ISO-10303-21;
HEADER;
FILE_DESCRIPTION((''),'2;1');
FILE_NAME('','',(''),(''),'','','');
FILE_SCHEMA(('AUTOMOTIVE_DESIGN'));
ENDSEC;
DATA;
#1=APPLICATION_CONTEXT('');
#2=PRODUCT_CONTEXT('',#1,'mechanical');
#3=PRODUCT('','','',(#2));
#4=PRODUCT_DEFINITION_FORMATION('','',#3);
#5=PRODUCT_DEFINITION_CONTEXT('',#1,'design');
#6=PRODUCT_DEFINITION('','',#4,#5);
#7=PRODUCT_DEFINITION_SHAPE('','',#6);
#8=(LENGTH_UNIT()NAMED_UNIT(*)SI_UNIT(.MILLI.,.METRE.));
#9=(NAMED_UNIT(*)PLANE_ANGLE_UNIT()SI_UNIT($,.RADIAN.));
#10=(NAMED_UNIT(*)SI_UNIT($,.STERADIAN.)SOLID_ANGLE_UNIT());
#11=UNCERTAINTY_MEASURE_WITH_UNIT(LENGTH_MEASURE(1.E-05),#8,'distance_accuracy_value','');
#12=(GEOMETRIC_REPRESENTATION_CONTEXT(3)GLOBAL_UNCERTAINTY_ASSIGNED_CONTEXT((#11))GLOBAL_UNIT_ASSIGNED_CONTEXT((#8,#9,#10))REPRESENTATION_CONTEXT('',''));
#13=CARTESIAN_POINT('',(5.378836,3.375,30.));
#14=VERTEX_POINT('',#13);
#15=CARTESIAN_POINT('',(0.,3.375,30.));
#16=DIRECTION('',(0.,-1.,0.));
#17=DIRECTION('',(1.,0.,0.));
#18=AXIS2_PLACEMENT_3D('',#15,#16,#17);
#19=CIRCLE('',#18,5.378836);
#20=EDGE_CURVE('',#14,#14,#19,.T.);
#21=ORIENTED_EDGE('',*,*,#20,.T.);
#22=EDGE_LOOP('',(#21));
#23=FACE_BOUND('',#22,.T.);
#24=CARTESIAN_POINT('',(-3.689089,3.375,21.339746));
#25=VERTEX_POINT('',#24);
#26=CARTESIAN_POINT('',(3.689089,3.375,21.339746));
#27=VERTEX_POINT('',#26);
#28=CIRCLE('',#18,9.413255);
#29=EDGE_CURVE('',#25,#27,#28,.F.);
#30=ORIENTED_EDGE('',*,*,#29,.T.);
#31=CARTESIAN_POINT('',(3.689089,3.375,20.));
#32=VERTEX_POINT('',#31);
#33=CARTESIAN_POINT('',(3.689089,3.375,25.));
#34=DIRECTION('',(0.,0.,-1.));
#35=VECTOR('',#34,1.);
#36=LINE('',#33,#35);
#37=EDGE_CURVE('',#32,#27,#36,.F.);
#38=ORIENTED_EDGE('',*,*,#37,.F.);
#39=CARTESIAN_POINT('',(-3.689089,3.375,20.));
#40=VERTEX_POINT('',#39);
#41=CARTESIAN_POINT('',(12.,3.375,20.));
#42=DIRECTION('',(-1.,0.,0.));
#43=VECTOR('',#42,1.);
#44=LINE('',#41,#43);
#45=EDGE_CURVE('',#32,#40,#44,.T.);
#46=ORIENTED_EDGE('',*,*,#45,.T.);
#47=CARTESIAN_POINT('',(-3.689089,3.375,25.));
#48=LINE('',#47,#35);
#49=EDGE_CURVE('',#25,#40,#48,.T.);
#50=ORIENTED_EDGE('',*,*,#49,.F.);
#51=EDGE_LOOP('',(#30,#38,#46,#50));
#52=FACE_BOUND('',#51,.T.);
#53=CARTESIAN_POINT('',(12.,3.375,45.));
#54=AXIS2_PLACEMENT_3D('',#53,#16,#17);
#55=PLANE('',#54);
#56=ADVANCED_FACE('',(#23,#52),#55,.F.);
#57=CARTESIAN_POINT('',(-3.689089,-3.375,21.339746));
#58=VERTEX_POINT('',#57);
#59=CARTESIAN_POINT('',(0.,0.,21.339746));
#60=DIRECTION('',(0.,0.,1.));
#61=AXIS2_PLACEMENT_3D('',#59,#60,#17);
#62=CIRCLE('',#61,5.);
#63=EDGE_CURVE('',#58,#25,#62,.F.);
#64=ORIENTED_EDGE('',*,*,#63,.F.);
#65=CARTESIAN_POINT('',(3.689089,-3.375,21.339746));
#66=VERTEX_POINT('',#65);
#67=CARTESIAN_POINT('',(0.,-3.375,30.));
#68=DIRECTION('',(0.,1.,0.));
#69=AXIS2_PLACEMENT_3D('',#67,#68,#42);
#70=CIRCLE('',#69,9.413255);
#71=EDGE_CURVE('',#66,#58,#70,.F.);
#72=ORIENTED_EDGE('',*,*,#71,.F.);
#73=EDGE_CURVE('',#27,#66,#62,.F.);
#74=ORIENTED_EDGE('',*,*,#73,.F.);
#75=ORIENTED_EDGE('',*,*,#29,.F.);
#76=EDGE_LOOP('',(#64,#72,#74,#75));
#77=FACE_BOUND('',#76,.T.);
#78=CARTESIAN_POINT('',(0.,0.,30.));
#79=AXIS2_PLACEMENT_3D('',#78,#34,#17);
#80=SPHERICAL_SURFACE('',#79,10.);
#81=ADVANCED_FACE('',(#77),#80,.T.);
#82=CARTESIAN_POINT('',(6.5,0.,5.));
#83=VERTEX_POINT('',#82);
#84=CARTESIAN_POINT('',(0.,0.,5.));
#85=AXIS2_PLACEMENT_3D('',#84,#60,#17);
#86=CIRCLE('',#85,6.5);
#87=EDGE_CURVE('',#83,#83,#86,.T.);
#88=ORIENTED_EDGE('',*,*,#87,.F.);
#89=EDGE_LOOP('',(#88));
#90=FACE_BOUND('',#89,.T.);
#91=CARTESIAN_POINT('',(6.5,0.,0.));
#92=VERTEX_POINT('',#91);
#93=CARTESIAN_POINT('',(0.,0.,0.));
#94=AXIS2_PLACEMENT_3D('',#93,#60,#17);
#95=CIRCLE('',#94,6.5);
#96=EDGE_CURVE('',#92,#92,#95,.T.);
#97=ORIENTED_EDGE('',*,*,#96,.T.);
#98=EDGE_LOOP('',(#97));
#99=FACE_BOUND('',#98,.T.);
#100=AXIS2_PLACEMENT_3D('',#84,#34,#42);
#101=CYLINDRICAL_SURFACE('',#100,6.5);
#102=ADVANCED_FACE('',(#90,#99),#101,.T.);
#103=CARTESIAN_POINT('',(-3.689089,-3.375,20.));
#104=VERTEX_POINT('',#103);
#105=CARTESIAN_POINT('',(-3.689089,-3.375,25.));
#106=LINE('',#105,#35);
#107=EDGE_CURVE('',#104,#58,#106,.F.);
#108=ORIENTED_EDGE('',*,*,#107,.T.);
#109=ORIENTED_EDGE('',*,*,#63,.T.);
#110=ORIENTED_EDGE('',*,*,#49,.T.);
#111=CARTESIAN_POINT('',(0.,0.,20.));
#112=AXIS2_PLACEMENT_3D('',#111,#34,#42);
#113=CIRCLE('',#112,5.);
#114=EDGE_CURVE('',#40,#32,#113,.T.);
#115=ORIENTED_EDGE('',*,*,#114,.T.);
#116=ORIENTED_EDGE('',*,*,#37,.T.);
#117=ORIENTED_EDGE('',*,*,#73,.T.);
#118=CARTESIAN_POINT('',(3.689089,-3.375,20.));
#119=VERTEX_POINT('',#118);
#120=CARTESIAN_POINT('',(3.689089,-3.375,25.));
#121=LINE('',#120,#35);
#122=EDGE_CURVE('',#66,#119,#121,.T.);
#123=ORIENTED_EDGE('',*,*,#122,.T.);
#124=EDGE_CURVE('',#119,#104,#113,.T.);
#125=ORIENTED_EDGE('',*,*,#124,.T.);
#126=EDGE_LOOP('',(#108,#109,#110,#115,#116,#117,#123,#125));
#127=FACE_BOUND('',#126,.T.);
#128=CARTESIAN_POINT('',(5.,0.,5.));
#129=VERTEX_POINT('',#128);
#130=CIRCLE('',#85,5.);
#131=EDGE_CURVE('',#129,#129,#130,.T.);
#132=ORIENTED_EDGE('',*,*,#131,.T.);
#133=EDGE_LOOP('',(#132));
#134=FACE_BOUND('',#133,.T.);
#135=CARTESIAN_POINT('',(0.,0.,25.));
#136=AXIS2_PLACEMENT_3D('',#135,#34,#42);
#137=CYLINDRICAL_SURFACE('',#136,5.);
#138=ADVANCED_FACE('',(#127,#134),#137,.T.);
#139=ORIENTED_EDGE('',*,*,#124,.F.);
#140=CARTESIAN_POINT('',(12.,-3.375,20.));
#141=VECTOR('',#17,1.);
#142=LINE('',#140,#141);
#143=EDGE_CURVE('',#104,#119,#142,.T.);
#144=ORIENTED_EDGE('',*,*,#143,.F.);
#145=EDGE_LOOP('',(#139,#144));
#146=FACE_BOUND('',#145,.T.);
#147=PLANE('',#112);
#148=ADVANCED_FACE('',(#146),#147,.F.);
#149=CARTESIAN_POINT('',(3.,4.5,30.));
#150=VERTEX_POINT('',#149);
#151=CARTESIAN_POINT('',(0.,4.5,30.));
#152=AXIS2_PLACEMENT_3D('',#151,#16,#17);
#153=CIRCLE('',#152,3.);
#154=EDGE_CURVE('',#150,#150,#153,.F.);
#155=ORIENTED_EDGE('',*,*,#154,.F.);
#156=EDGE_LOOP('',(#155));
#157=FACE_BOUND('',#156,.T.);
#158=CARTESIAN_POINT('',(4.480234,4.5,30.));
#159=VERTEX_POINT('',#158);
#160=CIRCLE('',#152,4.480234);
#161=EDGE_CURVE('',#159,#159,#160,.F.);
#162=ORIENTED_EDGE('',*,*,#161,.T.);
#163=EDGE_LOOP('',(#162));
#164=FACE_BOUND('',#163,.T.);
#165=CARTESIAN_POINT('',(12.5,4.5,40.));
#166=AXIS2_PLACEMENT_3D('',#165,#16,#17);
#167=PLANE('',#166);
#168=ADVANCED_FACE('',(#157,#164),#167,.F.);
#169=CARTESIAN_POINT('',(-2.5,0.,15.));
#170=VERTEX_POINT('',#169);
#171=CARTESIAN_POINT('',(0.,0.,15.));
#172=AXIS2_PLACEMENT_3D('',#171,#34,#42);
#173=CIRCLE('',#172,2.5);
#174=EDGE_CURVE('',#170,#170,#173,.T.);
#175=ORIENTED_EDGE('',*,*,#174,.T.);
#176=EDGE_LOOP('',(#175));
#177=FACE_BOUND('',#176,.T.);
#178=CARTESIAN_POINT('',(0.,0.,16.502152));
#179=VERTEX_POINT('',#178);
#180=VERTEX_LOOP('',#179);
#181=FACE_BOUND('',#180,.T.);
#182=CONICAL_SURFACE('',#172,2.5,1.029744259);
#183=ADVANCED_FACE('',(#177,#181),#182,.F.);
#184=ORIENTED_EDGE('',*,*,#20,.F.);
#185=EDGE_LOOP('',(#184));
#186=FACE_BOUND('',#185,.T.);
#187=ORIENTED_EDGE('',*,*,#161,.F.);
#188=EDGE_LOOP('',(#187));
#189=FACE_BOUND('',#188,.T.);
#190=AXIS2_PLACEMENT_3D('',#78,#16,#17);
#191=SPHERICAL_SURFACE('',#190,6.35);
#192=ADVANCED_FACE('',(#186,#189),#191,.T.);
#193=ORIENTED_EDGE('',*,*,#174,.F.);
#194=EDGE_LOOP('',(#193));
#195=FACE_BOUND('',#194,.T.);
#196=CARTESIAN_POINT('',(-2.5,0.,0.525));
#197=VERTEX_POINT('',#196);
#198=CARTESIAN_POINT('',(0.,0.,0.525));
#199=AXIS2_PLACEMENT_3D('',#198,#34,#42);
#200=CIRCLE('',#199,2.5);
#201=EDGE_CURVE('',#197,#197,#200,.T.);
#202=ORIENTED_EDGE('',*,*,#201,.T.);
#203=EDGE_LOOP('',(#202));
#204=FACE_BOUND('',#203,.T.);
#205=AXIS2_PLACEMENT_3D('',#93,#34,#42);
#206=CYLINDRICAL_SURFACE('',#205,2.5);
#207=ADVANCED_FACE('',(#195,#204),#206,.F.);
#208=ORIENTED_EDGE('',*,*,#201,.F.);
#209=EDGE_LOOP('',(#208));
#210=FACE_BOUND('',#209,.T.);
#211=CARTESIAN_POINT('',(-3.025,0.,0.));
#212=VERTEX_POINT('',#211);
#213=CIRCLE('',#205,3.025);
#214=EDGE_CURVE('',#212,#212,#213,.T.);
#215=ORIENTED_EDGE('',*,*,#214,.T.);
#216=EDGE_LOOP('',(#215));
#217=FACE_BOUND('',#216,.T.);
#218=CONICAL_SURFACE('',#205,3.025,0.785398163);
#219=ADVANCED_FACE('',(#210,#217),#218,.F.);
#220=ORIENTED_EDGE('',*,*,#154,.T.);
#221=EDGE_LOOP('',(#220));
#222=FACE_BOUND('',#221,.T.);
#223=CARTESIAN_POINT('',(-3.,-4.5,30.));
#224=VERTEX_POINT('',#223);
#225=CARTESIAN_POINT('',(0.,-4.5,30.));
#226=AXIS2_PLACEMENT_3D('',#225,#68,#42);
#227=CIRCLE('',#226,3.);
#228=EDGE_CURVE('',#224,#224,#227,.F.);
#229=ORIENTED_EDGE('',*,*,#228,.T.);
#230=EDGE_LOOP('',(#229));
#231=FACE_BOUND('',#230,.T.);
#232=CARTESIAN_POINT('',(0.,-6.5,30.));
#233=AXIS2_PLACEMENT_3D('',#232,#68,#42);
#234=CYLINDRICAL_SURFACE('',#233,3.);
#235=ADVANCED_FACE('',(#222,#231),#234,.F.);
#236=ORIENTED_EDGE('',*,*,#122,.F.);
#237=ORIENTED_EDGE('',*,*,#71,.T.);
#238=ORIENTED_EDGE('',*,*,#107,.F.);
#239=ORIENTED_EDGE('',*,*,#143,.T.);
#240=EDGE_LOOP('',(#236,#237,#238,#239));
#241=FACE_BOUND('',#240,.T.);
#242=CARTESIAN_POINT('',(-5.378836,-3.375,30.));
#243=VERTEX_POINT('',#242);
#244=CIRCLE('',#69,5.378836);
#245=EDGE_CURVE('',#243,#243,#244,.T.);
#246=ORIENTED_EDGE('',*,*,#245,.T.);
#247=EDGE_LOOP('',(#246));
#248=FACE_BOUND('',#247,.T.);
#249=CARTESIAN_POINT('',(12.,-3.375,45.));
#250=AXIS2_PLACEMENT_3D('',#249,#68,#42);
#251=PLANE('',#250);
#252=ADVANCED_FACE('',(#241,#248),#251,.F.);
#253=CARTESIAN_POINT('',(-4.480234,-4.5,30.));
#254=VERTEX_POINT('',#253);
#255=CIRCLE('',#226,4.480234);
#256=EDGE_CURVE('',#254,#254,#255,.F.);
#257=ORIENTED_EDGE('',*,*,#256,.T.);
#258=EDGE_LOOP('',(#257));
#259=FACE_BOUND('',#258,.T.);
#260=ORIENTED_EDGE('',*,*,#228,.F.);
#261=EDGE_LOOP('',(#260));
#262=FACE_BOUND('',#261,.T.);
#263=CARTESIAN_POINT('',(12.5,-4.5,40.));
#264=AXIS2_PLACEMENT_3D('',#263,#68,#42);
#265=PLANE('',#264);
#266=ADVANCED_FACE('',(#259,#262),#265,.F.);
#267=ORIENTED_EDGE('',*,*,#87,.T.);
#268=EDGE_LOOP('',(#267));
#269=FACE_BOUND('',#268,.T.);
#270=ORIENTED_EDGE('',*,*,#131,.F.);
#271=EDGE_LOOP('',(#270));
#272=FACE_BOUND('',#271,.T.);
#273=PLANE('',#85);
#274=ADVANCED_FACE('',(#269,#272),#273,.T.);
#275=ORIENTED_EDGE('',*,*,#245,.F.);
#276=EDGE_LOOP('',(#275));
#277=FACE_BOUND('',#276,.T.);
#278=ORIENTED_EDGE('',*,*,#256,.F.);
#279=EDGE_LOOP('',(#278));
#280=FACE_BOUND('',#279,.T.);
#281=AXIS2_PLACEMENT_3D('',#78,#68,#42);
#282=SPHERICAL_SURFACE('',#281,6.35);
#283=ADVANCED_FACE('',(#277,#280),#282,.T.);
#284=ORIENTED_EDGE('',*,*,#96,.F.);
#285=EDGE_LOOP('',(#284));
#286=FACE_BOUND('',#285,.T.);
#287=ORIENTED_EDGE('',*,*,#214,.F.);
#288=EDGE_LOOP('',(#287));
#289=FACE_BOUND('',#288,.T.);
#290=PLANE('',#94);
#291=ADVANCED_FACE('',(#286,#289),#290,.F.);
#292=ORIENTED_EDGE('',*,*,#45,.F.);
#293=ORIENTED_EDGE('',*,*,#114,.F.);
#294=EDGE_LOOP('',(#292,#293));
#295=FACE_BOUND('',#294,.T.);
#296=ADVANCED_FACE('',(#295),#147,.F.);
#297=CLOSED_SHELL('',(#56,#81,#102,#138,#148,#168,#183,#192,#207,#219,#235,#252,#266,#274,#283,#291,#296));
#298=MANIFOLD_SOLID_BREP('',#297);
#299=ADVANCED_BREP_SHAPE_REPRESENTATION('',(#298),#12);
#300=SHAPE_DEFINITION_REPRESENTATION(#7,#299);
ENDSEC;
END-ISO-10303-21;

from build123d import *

# Parameters (mm, degrees)
SKETCH_3_R                   = 6.5
EXTRUDE_1_DEPTH              = 5
SKETCH_4_R                   = 5
EXTRUDE_2_DEPTH              = 20
SKETCH_6_W                   = 25
SKETCH_6_H                   = 25
SKETCH_6_W_2                 = 24
SKETCH_6_H_2                 = 6.75
CUT_EXTRUDE_1_DEPTH          = 25
CUT_EXTRUDE_3_DEPTH          = 42.740268327
CUT_EXTRUDE_3_DEPTH_BACK     = 42.740268327
SKETCH_10_R                  = 3
HOLE_WIZARD_M6_1_D           = 5
HOLE_WIZARD_M6_1_DEPTH       = 15
HOLE_WIZARD_M6_1_CSINK_D     = 6.05
HOLE_WIZARD_M6_1_CSINK_ANGLE = 90
HOLE_WIZARD_M6_1_TIP         = 1.502151548
SKETCH_16_R                  = 20
SKETCH_16_W                  = 25
SKETCH_16_H                  = 9
CUT_EXTRUDE_4_DEPTH          = 24.286262044


with BuildPart() as part:
    # 草图3 → 凸台-拉伸1 (new body)
    with BuildSketch(Plane.XY):
        Circle(SKETCH_3_R)
    extrude(amount=EXTRUDE_1_DEPTH)

    # 草图4 → 凸台-拉伸2 (add)
    with BuildSketch(Plane.XY.offset(5)):
        Circle(SKETCH_4_R)
    extrude(amount=EXTRUDE_2_DEPTH)

    # 草图5 → 旋转4 (revolve)
    with BuildSketch(Plane(origin=(0, 0, 0), x_dir=(1, 0, 0), z_dir=(0, 1, 0))):
        with BuildLine():
            Line((0, -20), (0, -40))
            ThreePointArc((0, -40), (-10, -30), (0, -20))
        make_face()
    revolve(axis=Axis((0, 0, 0), (0, 0, 1)))

    # 草图6 → 切除-拉伸1 (cut)
    with BuildSketch(Plane.XY.offset(20)):
        Rectangle(SKETCH_6_W, SKETCH_6_H)
        Rectangle(SKETCH_6_W_2, SKETCH_6_H_2, mode=Mode.SUBTRACT)
    extrude(amount=CUT_EXTRUDE_1_DEPTH, mode=Mode.SUBTRACT)

    # 草图8 → 旋转5 (revolve)
    with BuildSketch(Plane(origin=(0, 0, 0), x_dir=(1, 0, 0), z_dir=(0, 1, 0))):
        with BuildLine():
            Line((-6.35, -30), (6.35, -30))
            ThreePointArc((6.35, -30), (0, -36.35), (-6.35, -30))
        make_face()
    revolve(axis=Axis((-10, 0, 30), (1, 0, 0)))

    # 草图10 → 切除-拉伸3 (cut, two sides: drawn at the far end of the back side and taken through both)
    with BuildSketch(Plane(origin=(0, 0, 0), x_dir=(1, 0, 0), z_dir=(0, 1, 0)).offset(-CUT_EXTRUDE_3_DEPTH_BACK)):
        with Locations(Location((0, -30, 0), (0, 0, 180))):
            Circle(SKETCH_10_R)
    extrude(amount=CUT_EXTRUDE_3_DEPTH + CUT_EXTRUDE_3_DEPTH_BACK, mode=Mode.SUBTRACT)

    # M6 螺纹孔1
    with Locations(Plane(origin=(0, 0, 0), x_dir=(-1, 0, 0), z_dir=(0, 0, -1))):
        with Locations((0, 0)):
            CounterSinkHole(HOLE_WIZARD_M6_1_D / 2, HOLE_WIZARD_M6_1_CSINK_D / 2, depth=HOLE_WIZARD_M6_1_DEPTH, counter_sink_angle=HOLE_WIZARD_M6_1_CSINK_ANGLE)
            with Locations((0, 0, -(HOLE_WIZARD_M6_1_DEPTH + HOLE_WIZARD_M6_1_TIP / 2))):  # 118° drill point
                Cone(0, HOLE_WIZARD_M6_1_D / 2, HOLE_WIZARD_M6_1_TIP, mode=Mode.SUBTRACT)

    # 草图16 → 切除-拉伸4 (cut, through all)
    with BuildSketch(Plane.XY.offset(20)):
        Circle(SKETCH_16_R)
        Rectangle(SKETCH_16_W, SKETCH_16_H, mode=Mode.SUBTRACT)
    extrude(amount=CUT_EXTRUDE_4_DEPTH, mode=Mode.SUBTRACT)


solid = part.part
